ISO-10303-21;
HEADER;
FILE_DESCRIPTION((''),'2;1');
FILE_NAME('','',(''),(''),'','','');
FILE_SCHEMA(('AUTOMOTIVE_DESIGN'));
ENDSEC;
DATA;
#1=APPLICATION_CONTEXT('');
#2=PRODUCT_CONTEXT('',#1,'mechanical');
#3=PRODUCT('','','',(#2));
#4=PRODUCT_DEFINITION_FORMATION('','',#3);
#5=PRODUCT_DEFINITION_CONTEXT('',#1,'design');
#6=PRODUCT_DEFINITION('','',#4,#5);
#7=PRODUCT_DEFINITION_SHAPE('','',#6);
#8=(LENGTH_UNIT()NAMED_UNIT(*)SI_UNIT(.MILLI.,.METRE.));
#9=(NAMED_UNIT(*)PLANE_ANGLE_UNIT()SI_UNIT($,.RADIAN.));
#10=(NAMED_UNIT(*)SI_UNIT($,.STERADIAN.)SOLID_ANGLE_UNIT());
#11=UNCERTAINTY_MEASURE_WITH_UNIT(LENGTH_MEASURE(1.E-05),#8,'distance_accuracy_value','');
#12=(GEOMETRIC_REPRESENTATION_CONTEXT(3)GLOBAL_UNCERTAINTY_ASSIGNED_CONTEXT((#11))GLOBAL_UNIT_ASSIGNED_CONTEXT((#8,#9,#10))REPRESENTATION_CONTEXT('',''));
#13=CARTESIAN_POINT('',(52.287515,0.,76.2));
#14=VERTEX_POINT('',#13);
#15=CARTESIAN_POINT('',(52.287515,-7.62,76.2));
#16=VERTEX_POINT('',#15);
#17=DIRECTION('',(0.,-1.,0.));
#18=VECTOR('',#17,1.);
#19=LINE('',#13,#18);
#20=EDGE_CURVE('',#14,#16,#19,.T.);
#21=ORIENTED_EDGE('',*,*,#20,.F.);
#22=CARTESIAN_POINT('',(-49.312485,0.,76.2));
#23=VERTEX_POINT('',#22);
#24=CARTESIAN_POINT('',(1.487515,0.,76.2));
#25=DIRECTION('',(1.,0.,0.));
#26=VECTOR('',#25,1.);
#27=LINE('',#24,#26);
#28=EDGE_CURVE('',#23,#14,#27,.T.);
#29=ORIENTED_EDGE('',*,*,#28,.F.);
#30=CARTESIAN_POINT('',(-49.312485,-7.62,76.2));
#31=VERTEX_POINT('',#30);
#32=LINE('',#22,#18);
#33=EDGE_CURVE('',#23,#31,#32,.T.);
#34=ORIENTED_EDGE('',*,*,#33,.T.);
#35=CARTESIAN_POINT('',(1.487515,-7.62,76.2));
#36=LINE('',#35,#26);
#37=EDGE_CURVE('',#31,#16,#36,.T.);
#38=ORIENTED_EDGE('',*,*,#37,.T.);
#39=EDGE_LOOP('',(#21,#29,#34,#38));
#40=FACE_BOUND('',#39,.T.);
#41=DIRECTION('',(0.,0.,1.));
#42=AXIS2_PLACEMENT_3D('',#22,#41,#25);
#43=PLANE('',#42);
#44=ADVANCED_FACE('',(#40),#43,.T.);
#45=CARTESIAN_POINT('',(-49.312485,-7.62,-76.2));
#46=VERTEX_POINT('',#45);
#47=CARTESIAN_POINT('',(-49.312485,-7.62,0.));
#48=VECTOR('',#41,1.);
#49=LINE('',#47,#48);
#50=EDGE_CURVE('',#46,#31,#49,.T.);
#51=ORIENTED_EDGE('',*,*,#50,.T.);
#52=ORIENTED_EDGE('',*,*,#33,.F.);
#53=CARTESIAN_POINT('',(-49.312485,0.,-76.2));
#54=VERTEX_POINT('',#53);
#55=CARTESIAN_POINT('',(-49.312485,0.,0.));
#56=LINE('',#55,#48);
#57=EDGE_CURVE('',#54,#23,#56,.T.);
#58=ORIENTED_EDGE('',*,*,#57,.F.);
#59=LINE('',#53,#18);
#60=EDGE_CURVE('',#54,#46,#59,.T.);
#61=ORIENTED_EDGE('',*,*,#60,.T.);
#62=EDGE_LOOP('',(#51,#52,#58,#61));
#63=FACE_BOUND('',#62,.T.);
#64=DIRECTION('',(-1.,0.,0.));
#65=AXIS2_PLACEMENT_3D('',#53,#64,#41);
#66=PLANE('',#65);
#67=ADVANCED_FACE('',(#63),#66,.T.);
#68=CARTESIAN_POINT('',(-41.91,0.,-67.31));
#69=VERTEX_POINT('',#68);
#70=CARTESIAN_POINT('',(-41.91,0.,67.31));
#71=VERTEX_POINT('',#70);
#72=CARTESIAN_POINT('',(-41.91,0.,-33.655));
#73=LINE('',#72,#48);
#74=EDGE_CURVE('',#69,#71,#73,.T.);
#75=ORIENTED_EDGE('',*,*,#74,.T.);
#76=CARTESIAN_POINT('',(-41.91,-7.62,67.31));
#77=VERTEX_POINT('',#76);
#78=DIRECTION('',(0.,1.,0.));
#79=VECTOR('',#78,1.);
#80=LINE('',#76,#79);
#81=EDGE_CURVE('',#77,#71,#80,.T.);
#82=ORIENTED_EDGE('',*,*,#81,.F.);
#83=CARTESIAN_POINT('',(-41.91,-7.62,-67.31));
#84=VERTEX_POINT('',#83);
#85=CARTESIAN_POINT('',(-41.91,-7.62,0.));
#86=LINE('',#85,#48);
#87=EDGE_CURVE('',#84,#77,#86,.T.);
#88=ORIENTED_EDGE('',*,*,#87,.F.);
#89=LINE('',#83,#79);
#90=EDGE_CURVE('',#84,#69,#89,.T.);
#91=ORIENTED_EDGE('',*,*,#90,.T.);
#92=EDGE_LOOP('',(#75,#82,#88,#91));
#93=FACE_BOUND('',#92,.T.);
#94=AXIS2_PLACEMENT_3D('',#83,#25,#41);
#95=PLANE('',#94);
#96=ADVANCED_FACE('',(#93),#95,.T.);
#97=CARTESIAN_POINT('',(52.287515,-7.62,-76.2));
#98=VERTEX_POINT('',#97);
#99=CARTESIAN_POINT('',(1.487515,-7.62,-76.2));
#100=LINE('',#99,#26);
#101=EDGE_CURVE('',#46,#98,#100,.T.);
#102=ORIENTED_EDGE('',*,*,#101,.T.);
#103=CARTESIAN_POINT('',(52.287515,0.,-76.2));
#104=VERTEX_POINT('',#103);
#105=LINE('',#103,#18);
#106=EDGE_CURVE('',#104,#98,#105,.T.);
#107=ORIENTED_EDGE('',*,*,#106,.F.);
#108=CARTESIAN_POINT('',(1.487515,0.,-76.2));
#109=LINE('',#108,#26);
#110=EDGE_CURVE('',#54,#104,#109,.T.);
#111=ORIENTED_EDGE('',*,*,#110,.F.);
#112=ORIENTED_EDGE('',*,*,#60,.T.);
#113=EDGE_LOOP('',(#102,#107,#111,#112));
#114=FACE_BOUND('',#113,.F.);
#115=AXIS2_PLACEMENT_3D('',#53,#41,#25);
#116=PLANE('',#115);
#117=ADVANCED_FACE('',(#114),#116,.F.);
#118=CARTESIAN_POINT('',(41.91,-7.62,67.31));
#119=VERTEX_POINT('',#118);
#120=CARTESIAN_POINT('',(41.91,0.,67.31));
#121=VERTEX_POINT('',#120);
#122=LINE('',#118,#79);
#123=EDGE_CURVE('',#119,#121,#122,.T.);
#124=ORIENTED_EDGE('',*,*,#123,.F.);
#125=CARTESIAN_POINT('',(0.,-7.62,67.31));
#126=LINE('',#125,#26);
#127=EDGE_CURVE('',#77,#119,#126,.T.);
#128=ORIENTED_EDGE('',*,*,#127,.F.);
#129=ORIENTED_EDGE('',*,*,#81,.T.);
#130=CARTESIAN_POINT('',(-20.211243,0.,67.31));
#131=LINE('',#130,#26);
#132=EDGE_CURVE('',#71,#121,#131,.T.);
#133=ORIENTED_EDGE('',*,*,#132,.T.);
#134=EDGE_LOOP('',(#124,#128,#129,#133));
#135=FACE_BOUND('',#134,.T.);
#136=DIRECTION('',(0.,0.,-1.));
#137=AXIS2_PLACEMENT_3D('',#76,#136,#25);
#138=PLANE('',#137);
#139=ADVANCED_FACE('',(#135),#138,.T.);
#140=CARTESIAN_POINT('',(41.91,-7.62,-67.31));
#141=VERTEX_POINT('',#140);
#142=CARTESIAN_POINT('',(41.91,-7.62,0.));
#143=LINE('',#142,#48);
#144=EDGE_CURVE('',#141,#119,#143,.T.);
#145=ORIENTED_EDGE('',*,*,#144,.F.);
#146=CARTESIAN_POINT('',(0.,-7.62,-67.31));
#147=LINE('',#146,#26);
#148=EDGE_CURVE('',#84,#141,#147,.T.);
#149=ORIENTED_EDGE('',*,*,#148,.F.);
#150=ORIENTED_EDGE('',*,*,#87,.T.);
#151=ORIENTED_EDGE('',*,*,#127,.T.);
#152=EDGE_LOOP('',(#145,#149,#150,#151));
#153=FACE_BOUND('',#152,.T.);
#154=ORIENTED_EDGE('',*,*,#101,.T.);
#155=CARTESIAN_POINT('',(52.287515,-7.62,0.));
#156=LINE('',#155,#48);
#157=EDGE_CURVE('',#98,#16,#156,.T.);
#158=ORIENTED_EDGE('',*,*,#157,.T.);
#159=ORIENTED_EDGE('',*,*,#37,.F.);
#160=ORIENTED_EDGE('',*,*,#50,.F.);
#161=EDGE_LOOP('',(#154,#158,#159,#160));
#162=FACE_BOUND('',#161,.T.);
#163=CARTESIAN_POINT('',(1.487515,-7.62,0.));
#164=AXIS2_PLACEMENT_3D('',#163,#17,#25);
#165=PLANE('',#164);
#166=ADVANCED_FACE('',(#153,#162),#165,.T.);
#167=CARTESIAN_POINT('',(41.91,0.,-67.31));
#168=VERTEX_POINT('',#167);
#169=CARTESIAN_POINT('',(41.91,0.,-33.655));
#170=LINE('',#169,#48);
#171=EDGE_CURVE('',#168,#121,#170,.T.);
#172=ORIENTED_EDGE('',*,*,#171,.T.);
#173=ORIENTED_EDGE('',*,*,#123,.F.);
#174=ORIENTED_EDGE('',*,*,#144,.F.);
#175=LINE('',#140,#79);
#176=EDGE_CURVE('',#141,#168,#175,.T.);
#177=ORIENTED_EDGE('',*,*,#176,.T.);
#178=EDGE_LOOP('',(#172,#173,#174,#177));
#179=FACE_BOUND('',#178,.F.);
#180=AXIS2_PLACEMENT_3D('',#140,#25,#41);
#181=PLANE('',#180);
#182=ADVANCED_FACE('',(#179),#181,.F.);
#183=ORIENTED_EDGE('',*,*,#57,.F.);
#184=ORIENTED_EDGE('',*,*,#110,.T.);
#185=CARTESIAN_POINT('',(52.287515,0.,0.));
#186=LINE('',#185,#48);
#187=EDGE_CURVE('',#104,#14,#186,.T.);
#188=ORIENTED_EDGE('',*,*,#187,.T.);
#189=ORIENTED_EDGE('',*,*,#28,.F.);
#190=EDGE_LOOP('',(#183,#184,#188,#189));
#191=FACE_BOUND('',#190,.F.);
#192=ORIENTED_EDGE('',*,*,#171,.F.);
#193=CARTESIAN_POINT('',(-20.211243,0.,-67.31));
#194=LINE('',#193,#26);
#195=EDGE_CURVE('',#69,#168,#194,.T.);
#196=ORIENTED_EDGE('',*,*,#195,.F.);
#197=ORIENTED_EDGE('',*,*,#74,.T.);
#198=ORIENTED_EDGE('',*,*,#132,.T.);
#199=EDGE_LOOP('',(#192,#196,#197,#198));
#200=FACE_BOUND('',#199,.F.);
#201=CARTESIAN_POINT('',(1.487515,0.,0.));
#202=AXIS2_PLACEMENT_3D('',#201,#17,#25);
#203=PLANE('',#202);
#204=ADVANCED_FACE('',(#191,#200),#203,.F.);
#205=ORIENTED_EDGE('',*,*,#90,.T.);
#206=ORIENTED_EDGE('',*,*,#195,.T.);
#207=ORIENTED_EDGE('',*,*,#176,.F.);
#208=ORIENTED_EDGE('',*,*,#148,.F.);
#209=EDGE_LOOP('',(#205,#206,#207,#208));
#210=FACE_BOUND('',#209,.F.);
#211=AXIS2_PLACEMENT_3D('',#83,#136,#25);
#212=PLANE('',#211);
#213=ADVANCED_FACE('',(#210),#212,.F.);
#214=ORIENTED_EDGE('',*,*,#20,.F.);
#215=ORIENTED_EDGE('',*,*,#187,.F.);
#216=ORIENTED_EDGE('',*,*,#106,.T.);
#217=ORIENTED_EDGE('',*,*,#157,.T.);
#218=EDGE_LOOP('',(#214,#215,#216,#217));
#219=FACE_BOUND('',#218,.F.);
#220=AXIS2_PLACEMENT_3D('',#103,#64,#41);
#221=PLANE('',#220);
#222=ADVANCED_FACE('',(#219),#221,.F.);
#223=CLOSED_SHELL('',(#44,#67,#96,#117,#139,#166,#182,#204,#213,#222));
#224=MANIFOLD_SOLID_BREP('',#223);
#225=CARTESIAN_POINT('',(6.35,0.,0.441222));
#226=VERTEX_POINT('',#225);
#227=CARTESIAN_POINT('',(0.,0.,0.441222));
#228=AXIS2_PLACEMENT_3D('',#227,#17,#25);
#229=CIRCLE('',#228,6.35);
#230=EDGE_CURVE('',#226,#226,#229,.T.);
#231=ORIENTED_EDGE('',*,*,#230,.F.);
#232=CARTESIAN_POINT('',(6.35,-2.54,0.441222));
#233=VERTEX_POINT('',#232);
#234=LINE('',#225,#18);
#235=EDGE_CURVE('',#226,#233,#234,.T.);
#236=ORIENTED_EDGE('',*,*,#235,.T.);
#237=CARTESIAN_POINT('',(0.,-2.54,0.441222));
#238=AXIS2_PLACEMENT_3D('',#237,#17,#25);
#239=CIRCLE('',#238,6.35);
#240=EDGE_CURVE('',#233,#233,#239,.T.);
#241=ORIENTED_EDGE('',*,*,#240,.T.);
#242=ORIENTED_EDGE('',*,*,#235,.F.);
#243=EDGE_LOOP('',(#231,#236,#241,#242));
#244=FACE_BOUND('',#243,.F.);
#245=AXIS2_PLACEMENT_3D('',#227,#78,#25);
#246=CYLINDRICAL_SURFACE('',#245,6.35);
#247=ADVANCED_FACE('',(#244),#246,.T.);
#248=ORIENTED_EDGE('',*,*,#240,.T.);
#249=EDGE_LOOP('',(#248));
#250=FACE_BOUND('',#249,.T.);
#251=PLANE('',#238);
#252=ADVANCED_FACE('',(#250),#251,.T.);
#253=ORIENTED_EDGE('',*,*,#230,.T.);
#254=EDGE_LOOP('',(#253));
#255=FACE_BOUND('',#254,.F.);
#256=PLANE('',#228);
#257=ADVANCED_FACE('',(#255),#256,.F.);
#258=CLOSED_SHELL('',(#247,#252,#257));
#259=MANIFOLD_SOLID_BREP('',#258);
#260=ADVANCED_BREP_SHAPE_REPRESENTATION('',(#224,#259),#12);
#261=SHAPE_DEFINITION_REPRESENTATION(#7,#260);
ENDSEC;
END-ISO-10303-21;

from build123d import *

# Parameters (mm, degrees)
F0_W     = 101.6
F0_H     = 152.4
F1_DEPTH = 7.62
F2_W     = 83.82
F2_H     = 134.62
F3_DEPTH = 25.4
F4_R     = 6.35
F5_DEPTH = 2.54


with BuildPart() as f1:
    # F0 (on Front) → F1 (new body)
    with BuildSketch(Plane.XZ):
        with Locations((1.487515, 0)):
            Rectangle(F0_W, F0_H)
    extrude(amount=F1_DEPTH)

    # F2 (on face) → F3 (cut)
    with BuildSketch(Plane.XZ.offset(7.62)):
        Rectangle(F2_W, F2_H)
    extrude(amount=-F3_DEPTH, mode=Mode.SUBTRACT)


with BuildPart() as f5:
    # F4 (on Front) → F5 (new body)
    with BuildSketch(Plane.XZ):
        with Locations((0, 0.441222)):
            Circle(F4_R)
    extrude(amount=F5_DEPTH)


solid = Compound([f1.part, f5.part])
